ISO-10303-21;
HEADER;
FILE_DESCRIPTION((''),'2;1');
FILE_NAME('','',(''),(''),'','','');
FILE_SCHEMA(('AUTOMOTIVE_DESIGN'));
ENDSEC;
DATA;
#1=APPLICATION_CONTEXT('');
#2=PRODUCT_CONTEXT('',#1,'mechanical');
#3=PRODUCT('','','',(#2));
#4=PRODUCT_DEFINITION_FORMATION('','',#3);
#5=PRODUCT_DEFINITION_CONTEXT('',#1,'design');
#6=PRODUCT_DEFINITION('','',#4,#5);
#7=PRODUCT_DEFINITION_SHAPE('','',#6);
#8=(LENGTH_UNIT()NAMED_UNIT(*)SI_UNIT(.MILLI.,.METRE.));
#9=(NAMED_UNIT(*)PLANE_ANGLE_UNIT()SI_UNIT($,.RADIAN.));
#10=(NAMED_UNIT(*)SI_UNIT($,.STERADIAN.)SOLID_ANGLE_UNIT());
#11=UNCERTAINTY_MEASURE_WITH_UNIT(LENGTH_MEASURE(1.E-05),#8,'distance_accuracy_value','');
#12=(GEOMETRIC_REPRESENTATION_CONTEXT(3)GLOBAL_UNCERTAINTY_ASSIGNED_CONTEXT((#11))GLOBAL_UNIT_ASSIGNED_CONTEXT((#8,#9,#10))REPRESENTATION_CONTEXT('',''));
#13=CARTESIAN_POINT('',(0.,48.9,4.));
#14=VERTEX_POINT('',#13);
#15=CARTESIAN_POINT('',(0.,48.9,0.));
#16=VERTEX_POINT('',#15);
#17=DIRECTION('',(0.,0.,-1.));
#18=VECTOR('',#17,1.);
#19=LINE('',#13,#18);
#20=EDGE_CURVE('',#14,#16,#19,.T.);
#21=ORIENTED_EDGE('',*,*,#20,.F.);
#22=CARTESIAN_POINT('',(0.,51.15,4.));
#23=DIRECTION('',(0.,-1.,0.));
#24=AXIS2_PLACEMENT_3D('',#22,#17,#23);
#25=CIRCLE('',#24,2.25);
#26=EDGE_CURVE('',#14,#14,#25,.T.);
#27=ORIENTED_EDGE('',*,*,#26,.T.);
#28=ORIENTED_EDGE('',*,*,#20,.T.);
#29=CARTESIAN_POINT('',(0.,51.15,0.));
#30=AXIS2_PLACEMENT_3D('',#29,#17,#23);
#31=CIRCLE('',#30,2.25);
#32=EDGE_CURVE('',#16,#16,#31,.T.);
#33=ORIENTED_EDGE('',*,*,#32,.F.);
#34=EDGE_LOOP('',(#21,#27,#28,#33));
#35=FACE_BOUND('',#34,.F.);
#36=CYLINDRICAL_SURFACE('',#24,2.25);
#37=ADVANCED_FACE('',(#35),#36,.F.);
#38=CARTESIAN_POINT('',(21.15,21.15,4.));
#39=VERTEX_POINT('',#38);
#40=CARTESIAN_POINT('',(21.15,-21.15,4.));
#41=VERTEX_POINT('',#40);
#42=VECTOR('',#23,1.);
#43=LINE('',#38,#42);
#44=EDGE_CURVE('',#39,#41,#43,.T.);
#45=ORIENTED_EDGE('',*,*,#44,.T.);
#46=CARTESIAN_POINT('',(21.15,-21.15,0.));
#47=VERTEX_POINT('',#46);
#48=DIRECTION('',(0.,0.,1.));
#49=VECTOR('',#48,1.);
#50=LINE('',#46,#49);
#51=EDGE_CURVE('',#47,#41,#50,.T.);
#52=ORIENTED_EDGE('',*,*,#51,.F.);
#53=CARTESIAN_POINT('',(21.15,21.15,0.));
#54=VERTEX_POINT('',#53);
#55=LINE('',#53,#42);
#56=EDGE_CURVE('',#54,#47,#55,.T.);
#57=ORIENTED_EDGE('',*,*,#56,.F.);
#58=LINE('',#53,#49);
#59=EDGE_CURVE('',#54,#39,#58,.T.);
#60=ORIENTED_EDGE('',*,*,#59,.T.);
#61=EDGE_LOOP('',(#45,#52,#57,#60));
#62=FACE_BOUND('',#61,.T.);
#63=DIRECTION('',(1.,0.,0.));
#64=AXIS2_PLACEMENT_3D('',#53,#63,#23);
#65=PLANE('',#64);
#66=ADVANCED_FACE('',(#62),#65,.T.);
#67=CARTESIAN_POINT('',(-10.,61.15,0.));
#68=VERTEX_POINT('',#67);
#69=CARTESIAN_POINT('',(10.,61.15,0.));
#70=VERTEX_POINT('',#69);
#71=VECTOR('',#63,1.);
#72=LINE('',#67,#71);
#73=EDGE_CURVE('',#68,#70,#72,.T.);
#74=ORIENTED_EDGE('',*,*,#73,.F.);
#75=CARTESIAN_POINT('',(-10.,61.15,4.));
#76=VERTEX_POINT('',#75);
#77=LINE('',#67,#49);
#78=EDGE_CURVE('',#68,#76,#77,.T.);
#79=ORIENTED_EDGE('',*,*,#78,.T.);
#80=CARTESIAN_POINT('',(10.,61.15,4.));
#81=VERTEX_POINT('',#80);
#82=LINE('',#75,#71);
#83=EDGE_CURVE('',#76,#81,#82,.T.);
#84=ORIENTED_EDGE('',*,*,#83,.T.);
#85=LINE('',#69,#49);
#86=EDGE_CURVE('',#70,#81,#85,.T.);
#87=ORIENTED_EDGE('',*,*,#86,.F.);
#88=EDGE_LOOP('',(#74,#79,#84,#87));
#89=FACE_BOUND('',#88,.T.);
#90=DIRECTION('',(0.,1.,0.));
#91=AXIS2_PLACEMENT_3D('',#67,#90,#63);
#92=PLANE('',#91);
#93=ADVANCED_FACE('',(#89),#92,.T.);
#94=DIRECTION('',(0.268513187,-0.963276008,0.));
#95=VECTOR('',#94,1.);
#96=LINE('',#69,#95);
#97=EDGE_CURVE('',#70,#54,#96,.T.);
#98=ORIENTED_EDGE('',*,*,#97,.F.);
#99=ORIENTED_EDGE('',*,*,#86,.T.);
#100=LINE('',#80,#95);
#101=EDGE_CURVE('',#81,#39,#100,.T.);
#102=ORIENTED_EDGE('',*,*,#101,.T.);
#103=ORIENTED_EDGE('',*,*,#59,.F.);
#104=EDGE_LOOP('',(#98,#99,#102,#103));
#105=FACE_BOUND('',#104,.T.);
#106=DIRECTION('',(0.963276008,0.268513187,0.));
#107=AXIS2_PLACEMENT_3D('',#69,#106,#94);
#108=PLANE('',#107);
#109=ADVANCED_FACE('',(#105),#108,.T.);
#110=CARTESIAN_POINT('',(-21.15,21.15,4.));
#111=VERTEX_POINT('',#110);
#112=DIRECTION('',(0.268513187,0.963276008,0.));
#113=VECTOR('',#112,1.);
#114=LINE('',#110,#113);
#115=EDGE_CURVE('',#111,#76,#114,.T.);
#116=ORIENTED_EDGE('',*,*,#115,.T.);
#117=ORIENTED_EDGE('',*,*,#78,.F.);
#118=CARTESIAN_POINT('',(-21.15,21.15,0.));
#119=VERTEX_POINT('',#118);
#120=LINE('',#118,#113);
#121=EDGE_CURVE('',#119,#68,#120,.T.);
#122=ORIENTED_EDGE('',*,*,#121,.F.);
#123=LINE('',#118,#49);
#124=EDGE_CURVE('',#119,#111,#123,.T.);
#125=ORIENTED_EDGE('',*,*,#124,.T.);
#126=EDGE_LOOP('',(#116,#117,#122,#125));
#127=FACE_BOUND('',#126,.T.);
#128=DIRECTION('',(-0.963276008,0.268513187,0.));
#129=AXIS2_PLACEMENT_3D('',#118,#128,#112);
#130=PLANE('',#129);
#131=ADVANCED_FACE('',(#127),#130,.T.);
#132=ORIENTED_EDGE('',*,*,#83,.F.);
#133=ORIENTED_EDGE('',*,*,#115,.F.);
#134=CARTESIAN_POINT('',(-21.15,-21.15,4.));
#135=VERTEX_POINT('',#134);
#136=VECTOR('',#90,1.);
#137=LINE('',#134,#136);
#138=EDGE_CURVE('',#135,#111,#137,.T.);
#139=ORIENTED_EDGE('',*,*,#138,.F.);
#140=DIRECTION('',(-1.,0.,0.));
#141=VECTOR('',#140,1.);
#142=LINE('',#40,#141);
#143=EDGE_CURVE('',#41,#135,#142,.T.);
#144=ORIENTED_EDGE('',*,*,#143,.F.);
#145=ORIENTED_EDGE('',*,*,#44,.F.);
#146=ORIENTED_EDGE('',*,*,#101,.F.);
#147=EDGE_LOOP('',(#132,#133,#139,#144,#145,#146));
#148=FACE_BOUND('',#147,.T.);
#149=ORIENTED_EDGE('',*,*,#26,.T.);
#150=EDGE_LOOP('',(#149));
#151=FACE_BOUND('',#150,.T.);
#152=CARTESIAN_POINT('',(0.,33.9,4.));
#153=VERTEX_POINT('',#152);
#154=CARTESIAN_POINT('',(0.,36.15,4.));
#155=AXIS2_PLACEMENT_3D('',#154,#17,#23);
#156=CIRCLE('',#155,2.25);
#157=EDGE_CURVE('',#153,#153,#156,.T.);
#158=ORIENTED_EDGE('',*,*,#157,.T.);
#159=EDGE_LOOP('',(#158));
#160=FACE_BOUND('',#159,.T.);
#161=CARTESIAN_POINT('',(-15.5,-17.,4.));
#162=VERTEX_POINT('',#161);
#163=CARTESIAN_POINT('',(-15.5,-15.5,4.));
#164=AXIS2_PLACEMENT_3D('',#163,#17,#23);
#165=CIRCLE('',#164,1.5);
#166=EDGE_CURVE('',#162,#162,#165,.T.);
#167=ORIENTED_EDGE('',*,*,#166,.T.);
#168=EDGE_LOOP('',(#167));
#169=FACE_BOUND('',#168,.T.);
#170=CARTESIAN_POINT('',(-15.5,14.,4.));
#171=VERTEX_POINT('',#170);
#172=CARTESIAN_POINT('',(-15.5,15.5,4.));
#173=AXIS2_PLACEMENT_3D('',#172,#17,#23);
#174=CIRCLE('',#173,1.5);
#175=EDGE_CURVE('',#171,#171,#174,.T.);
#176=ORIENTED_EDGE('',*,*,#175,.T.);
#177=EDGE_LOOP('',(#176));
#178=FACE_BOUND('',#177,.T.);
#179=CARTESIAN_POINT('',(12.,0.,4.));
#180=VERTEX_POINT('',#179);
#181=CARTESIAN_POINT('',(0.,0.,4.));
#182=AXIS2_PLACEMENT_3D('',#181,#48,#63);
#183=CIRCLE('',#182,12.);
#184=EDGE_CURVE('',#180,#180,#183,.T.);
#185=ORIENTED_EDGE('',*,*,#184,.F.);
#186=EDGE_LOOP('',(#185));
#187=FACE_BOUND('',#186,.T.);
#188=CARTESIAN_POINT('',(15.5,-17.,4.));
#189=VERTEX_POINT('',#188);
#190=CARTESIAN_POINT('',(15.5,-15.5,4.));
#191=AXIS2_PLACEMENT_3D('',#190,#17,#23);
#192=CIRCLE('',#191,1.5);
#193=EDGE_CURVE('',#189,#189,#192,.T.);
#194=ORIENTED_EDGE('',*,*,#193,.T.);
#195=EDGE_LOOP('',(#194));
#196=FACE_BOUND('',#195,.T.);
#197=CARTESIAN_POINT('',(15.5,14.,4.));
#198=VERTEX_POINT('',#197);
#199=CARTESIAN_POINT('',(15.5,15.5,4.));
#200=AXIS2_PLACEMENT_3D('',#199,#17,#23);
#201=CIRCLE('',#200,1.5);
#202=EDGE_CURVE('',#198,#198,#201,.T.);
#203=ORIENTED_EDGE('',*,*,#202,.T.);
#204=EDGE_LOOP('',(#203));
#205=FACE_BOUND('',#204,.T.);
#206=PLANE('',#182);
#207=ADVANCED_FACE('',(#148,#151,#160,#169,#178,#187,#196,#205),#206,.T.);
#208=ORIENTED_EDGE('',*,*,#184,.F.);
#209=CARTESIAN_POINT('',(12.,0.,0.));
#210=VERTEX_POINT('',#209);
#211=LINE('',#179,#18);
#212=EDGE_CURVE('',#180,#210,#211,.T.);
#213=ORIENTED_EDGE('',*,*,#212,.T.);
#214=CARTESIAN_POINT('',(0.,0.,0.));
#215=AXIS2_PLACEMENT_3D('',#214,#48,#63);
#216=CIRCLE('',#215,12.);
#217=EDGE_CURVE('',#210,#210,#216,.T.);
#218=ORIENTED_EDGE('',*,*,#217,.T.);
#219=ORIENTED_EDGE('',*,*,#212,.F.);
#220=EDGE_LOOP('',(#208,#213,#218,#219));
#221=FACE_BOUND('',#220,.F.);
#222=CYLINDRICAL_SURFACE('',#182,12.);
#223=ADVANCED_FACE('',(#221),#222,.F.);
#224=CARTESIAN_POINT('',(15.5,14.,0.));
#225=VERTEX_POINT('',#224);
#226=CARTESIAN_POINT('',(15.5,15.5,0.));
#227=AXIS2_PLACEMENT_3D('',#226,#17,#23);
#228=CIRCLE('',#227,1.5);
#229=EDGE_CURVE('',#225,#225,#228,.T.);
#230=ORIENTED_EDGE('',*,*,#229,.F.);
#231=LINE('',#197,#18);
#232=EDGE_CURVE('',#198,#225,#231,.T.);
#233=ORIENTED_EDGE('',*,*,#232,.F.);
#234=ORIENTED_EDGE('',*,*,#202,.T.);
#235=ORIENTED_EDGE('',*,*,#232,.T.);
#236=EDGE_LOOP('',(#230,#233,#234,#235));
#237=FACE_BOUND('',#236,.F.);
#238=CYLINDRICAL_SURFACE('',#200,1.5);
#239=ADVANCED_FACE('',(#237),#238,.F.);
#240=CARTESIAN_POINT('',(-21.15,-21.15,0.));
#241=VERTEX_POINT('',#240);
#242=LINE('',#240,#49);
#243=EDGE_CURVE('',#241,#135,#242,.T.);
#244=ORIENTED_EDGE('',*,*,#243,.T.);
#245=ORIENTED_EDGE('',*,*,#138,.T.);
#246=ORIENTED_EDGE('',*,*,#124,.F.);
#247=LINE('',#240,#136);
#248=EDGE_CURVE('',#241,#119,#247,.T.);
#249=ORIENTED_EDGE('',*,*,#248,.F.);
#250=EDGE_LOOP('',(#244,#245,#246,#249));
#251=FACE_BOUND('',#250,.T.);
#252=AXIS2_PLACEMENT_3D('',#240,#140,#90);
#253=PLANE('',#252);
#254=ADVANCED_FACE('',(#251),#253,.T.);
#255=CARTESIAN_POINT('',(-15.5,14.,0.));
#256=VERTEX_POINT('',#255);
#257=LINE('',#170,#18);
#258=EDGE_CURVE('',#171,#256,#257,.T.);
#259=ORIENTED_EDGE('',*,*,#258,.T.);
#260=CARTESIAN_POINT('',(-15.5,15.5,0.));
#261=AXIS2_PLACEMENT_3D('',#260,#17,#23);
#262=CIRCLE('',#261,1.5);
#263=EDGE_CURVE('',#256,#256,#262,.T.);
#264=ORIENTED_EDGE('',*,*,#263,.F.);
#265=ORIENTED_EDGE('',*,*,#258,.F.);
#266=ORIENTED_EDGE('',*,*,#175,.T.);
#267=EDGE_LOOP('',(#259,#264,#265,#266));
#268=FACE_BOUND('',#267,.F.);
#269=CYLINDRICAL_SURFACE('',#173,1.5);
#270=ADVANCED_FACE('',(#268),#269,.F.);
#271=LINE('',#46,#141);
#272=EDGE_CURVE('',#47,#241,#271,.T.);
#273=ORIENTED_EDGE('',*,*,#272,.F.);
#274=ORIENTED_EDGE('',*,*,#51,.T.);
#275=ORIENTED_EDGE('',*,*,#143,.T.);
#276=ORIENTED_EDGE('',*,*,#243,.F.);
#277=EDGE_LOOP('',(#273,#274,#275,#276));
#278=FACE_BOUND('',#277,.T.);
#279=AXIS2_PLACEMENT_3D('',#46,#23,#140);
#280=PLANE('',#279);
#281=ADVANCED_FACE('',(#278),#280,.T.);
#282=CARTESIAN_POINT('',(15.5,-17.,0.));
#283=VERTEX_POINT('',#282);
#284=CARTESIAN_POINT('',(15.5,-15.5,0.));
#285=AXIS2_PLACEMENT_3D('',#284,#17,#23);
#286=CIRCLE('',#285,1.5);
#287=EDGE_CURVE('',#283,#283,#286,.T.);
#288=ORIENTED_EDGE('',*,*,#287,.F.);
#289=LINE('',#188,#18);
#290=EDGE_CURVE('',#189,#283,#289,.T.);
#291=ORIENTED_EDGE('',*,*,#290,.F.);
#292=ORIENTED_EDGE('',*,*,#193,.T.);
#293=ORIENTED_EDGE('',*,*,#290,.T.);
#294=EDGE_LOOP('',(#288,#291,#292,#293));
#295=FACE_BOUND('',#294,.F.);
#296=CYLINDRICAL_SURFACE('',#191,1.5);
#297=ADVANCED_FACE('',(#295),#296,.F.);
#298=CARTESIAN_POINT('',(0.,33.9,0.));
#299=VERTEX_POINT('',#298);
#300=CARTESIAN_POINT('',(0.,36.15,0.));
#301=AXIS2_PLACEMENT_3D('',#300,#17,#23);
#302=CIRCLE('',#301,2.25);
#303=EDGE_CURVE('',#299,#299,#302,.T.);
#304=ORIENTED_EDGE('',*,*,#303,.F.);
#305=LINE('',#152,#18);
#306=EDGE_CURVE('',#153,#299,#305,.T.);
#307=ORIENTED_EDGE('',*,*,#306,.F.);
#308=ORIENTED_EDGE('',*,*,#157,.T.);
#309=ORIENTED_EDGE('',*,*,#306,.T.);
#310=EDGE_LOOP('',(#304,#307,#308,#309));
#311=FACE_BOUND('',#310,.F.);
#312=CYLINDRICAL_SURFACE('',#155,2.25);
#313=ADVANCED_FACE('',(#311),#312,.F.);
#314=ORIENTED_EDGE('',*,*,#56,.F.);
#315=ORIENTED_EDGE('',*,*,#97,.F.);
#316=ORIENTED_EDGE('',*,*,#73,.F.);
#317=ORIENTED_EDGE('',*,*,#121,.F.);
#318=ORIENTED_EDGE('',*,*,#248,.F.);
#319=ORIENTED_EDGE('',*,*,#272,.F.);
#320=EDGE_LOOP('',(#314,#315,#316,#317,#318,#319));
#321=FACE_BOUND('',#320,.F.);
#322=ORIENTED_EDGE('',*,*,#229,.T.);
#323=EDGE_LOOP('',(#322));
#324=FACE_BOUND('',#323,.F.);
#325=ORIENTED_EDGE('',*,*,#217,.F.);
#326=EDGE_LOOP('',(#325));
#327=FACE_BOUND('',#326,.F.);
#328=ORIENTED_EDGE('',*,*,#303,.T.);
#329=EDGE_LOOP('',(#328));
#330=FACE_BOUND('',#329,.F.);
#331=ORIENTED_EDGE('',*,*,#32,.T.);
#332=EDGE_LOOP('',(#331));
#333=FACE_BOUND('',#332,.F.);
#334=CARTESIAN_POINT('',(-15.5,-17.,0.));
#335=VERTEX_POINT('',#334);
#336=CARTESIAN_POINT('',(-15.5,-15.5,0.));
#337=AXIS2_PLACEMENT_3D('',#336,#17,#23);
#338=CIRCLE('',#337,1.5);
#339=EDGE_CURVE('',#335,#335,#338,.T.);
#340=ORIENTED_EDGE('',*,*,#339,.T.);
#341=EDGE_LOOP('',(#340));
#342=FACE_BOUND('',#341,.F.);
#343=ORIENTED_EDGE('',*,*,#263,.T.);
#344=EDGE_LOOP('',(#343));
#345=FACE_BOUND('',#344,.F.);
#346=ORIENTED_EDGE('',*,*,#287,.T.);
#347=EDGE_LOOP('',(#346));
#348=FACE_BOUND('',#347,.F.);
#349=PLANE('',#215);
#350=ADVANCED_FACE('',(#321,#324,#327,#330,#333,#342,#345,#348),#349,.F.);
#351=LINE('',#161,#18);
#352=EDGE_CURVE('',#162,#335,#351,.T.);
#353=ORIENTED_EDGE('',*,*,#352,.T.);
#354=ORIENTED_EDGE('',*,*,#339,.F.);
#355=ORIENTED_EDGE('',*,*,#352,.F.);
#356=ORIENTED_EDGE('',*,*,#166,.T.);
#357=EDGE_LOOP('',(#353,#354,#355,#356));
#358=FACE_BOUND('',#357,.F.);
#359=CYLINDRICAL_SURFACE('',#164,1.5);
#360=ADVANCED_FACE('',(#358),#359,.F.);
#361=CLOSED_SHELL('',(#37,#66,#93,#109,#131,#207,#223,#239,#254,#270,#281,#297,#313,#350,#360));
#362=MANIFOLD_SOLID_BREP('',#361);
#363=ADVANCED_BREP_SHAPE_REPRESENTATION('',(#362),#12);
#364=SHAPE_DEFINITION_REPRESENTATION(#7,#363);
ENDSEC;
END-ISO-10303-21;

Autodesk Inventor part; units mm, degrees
ref_plane "YZ Plane" through (0, 0, 0) normal (1, 0, 0) x (0, 1, 0)
ref_plane "XZ Plane" through (0, 0, 0) normal (0, 1, 0) x (-1, 0, 0)
ref_plane "XY Plane" through (0, 0, 0) normal (0, 0, 1) x (1, 0, 0)
sketch "Sketch1" plane through (0, 0, 0) normal (0, 0, 1) x (1, 0, 0)
  line L0 (21.15, 21.15) -> (21.15, -21.15)
  line L1 (21.15, -21.15) -> (-21.15, -21.15)
  line L2 (-21.15, -21.15) -> (-21.15, 21.15)
  line L3 (-21.15, 21.15) -> (-10, 61.15)
  line L4 (-10, 61.15) -> (10, 61.15)
  line L5 (10, 61.15) -> (21.15, 21.15)
  point P0 (0, 0)
  point P1 (21.15, 0)
  point P2 (0, 61.15)
  dimension "d0" = 42.3
  dimension "d1" = 42.3
  dimension "d2" = 20
  dimension "d4" = 42.3
  dimension "d5" = 40
  dimension "d7" = 11.15
extrude "Extrusion1" add sketch "Sketch1" along normal blind 4
sketch "Sketch2" plane through (0, 0, 4) normal (0, 0, 1) x (1, 0, 0)
  line L0 (10, 61.15) -> (-10, 61.15) projected
  point P0 (0, 0)
  point P1 (0, 51.15)
  point P2 (0, 36.15)
  dimension "d10" = 10
  dimension "d11" = 15
hole "Hole1" at (0, 51.15, 4) at (0, 36.15, 4) direction (0, 0, -1) diameter 4.5 end through all
sketch "Sketch3" plane through (0, 0, 4) normal (0, 0, 1) x (1, 0, 0)
  circle A0 centre (0, 0) radius 12
  dimension "d19" = 24
extrude "Extrusion2" cut sketch "Sketch3" against normal through all
sketch "Sketch4" plane through (0, 0, 4) normal (0, 0, 1) x (1, 0, 0)
  line L0 (-21.15, 21.15) -> (-21.15, -21.15) projected
  line L1 (-21.15, -21.15) -> (21.15, -21.15) projected
  point P0 (0, 0)
  point P1 (-15.5, 15.5)
  point P2 (15.5, 15.5)
  point P3 (15.5, -15.5)
  point P4 (-15.5, -15.5)
  dimension "d22" = 31
  dimension "d23" = 31
  dimension "d24" = 5.65
  dimension "d25" = 5.65
hole "Hole2" at (-15.5, 15.5, 4) at (15.5, 15.5, 4) at (15.5, -15.5, 4) at (-15.5, -15.5, 4) direction (0, 0, -1) diameter 3 end through all
properties part number "Stepper Motor to Extrusion Clip"
